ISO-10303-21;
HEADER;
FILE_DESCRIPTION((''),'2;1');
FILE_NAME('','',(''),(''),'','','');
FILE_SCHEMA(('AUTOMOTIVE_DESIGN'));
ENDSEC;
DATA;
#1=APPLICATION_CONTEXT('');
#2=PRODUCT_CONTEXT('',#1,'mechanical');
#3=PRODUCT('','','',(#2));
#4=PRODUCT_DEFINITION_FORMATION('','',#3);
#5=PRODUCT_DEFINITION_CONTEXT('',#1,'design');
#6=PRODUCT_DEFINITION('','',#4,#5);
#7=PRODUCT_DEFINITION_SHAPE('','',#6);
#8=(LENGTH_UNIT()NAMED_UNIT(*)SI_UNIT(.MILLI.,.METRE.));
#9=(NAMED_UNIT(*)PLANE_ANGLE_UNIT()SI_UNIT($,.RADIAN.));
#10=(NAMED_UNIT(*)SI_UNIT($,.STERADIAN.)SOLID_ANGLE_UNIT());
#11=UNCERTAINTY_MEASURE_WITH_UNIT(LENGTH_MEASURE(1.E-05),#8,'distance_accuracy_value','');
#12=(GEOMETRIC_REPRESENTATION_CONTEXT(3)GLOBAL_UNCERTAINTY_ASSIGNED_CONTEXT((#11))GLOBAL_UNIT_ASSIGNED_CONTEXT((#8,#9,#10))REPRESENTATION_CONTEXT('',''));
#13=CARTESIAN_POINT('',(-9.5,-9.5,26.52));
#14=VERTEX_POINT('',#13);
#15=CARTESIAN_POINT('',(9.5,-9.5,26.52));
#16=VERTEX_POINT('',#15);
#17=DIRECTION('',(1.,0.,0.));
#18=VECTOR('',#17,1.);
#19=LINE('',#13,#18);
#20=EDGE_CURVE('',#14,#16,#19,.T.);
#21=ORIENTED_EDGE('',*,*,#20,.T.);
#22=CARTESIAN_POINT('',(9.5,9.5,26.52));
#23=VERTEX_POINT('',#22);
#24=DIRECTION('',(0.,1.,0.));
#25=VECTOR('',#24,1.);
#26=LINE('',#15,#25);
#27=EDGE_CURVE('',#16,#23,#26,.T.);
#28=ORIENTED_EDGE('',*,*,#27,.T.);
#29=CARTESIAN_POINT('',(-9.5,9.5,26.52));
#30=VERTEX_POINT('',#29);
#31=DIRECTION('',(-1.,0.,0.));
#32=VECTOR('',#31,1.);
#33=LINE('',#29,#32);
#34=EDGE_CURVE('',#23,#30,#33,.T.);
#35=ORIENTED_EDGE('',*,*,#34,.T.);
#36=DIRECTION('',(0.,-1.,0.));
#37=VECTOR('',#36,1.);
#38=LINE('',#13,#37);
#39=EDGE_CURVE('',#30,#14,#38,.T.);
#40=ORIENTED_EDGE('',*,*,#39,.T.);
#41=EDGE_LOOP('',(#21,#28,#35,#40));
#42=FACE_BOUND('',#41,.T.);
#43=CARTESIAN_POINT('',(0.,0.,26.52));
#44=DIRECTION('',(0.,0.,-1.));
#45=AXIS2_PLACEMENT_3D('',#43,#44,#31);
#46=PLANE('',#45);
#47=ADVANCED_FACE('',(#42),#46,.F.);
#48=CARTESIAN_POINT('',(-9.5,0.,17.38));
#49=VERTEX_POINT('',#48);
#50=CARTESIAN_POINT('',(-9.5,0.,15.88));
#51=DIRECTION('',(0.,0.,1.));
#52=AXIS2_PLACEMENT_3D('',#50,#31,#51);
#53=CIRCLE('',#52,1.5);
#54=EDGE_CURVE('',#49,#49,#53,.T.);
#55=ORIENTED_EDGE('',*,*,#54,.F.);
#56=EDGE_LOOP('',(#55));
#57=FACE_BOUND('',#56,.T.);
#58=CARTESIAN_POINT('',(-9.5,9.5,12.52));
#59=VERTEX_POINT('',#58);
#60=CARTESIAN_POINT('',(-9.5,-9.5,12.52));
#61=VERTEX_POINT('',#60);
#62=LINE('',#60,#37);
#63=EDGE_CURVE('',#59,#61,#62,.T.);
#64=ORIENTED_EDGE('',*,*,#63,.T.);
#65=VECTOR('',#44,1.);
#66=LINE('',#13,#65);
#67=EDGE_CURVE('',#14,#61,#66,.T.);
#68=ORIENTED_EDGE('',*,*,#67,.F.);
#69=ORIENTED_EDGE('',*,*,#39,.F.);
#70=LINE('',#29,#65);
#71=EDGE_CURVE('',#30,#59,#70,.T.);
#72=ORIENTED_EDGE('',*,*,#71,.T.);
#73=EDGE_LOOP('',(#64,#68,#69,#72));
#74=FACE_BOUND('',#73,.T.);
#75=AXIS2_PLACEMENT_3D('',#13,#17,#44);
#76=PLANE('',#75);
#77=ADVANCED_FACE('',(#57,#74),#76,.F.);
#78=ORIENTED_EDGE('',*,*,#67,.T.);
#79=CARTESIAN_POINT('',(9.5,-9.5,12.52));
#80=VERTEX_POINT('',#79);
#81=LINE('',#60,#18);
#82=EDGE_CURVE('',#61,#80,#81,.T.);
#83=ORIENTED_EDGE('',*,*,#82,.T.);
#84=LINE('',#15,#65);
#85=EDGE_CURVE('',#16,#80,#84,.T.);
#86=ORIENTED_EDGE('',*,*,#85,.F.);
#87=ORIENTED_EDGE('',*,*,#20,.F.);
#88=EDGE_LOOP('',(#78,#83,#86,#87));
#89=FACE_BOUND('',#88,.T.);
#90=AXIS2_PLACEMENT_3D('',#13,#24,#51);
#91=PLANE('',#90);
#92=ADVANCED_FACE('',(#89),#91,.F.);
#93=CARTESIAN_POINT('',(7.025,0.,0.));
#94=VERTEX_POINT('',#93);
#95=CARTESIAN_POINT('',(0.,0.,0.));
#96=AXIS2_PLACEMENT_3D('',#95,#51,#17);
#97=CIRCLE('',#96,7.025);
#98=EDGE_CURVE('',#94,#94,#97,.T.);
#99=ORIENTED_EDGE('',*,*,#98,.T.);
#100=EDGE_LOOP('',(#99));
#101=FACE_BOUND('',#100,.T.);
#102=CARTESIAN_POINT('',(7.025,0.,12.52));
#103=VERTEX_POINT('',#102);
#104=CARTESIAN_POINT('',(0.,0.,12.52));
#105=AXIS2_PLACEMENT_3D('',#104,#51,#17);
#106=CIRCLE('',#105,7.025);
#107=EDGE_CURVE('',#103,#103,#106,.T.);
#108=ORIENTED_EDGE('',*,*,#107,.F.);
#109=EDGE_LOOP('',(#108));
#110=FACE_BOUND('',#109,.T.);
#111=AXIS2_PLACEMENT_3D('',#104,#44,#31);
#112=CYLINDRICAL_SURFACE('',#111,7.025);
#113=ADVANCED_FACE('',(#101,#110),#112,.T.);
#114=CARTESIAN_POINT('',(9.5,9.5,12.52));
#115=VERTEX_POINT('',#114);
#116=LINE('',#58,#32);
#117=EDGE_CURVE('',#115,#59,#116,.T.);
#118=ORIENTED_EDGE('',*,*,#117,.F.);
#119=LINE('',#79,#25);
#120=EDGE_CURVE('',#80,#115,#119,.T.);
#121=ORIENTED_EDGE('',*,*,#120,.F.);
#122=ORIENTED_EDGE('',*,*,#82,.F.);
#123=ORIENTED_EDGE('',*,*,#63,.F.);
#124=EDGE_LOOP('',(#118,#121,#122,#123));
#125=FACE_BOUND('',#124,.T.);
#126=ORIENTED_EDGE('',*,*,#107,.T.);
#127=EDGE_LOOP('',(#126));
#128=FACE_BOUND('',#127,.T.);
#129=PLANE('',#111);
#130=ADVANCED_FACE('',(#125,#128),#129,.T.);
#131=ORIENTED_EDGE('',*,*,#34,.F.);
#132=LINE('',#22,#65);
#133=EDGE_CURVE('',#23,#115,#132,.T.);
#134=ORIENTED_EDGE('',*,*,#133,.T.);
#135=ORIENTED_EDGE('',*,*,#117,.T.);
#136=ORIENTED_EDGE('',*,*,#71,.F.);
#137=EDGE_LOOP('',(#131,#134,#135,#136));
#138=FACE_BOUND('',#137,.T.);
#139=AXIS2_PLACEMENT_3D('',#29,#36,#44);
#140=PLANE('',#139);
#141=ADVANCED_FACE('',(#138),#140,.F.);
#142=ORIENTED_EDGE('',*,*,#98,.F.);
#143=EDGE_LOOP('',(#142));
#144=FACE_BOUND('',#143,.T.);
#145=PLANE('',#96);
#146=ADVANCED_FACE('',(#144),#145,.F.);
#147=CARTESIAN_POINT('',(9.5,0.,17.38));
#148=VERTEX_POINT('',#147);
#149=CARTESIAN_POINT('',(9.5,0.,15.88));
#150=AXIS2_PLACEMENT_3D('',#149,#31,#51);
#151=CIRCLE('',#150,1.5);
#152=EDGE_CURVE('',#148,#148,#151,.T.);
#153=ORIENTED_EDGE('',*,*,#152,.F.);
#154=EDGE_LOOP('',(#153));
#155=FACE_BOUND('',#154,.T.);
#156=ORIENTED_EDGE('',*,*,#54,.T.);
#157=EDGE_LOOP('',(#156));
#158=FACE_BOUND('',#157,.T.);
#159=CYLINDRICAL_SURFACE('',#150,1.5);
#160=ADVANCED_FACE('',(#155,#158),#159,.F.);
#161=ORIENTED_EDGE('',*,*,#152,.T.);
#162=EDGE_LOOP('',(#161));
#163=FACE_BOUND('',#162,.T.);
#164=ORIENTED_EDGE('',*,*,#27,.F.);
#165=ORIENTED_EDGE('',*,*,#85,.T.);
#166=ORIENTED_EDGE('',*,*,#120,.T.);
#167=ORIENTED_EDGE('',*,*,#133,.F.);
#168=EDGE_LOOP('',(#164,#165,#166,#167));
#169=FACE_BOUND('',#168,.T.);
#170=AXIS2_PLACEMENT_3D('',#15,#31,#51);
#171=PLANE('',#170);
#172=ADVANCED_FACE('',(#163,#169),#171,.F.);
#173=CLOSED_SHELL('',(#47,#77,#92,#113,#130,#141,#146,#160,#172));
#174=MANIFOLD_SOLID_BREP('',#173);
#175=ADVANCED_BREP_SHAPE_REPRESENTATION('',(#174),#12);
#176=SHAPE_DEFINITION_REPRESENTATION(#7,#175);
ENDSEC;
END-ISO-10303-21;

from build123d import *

# Parameters (mm, degrees)
SKETCH_1_R          = 7.025
EXTRUDE_1_DEPTH     = 12.52
SKETCH_2_W          = 19
SKETCH_2_H          = 19
EXTRUDE_2_DEPTH     = 14
SKETCH_3_R          = 1.5
CUT_EXTRUDE_1_DEPTH = 34.978822817


with BuildPart() as part:
    # 草图1 → 凸台-拉伸1 (new body)
    with BuildSketch(Plane.XY):
        Circle(SKETCH_1_R)
    extrude(amount=EXTRUDE_1_DEPTH)

    # 草图2 → 凸台-拉伸2 (add)
    with BuildSketch(Plane.XY.offset(12.52)):
        Rectangle(SKETCH_2_W, SKETCH_2_H)
    extrude(amount=EXTRUDE_2_DEPTH)

    # 草图3 → 切除-拉伸1 (cut, through all)
    with BuildSketch(Plane.ZY.offset(9.5)):
        with Locations((15.88, 0)):
            Circle(SKETCH_3_R)
    extrude(amount=-CUT_EXTRUDE_1_DEPTH, mode=Mode.SUBTRACT)


solid = part.part
